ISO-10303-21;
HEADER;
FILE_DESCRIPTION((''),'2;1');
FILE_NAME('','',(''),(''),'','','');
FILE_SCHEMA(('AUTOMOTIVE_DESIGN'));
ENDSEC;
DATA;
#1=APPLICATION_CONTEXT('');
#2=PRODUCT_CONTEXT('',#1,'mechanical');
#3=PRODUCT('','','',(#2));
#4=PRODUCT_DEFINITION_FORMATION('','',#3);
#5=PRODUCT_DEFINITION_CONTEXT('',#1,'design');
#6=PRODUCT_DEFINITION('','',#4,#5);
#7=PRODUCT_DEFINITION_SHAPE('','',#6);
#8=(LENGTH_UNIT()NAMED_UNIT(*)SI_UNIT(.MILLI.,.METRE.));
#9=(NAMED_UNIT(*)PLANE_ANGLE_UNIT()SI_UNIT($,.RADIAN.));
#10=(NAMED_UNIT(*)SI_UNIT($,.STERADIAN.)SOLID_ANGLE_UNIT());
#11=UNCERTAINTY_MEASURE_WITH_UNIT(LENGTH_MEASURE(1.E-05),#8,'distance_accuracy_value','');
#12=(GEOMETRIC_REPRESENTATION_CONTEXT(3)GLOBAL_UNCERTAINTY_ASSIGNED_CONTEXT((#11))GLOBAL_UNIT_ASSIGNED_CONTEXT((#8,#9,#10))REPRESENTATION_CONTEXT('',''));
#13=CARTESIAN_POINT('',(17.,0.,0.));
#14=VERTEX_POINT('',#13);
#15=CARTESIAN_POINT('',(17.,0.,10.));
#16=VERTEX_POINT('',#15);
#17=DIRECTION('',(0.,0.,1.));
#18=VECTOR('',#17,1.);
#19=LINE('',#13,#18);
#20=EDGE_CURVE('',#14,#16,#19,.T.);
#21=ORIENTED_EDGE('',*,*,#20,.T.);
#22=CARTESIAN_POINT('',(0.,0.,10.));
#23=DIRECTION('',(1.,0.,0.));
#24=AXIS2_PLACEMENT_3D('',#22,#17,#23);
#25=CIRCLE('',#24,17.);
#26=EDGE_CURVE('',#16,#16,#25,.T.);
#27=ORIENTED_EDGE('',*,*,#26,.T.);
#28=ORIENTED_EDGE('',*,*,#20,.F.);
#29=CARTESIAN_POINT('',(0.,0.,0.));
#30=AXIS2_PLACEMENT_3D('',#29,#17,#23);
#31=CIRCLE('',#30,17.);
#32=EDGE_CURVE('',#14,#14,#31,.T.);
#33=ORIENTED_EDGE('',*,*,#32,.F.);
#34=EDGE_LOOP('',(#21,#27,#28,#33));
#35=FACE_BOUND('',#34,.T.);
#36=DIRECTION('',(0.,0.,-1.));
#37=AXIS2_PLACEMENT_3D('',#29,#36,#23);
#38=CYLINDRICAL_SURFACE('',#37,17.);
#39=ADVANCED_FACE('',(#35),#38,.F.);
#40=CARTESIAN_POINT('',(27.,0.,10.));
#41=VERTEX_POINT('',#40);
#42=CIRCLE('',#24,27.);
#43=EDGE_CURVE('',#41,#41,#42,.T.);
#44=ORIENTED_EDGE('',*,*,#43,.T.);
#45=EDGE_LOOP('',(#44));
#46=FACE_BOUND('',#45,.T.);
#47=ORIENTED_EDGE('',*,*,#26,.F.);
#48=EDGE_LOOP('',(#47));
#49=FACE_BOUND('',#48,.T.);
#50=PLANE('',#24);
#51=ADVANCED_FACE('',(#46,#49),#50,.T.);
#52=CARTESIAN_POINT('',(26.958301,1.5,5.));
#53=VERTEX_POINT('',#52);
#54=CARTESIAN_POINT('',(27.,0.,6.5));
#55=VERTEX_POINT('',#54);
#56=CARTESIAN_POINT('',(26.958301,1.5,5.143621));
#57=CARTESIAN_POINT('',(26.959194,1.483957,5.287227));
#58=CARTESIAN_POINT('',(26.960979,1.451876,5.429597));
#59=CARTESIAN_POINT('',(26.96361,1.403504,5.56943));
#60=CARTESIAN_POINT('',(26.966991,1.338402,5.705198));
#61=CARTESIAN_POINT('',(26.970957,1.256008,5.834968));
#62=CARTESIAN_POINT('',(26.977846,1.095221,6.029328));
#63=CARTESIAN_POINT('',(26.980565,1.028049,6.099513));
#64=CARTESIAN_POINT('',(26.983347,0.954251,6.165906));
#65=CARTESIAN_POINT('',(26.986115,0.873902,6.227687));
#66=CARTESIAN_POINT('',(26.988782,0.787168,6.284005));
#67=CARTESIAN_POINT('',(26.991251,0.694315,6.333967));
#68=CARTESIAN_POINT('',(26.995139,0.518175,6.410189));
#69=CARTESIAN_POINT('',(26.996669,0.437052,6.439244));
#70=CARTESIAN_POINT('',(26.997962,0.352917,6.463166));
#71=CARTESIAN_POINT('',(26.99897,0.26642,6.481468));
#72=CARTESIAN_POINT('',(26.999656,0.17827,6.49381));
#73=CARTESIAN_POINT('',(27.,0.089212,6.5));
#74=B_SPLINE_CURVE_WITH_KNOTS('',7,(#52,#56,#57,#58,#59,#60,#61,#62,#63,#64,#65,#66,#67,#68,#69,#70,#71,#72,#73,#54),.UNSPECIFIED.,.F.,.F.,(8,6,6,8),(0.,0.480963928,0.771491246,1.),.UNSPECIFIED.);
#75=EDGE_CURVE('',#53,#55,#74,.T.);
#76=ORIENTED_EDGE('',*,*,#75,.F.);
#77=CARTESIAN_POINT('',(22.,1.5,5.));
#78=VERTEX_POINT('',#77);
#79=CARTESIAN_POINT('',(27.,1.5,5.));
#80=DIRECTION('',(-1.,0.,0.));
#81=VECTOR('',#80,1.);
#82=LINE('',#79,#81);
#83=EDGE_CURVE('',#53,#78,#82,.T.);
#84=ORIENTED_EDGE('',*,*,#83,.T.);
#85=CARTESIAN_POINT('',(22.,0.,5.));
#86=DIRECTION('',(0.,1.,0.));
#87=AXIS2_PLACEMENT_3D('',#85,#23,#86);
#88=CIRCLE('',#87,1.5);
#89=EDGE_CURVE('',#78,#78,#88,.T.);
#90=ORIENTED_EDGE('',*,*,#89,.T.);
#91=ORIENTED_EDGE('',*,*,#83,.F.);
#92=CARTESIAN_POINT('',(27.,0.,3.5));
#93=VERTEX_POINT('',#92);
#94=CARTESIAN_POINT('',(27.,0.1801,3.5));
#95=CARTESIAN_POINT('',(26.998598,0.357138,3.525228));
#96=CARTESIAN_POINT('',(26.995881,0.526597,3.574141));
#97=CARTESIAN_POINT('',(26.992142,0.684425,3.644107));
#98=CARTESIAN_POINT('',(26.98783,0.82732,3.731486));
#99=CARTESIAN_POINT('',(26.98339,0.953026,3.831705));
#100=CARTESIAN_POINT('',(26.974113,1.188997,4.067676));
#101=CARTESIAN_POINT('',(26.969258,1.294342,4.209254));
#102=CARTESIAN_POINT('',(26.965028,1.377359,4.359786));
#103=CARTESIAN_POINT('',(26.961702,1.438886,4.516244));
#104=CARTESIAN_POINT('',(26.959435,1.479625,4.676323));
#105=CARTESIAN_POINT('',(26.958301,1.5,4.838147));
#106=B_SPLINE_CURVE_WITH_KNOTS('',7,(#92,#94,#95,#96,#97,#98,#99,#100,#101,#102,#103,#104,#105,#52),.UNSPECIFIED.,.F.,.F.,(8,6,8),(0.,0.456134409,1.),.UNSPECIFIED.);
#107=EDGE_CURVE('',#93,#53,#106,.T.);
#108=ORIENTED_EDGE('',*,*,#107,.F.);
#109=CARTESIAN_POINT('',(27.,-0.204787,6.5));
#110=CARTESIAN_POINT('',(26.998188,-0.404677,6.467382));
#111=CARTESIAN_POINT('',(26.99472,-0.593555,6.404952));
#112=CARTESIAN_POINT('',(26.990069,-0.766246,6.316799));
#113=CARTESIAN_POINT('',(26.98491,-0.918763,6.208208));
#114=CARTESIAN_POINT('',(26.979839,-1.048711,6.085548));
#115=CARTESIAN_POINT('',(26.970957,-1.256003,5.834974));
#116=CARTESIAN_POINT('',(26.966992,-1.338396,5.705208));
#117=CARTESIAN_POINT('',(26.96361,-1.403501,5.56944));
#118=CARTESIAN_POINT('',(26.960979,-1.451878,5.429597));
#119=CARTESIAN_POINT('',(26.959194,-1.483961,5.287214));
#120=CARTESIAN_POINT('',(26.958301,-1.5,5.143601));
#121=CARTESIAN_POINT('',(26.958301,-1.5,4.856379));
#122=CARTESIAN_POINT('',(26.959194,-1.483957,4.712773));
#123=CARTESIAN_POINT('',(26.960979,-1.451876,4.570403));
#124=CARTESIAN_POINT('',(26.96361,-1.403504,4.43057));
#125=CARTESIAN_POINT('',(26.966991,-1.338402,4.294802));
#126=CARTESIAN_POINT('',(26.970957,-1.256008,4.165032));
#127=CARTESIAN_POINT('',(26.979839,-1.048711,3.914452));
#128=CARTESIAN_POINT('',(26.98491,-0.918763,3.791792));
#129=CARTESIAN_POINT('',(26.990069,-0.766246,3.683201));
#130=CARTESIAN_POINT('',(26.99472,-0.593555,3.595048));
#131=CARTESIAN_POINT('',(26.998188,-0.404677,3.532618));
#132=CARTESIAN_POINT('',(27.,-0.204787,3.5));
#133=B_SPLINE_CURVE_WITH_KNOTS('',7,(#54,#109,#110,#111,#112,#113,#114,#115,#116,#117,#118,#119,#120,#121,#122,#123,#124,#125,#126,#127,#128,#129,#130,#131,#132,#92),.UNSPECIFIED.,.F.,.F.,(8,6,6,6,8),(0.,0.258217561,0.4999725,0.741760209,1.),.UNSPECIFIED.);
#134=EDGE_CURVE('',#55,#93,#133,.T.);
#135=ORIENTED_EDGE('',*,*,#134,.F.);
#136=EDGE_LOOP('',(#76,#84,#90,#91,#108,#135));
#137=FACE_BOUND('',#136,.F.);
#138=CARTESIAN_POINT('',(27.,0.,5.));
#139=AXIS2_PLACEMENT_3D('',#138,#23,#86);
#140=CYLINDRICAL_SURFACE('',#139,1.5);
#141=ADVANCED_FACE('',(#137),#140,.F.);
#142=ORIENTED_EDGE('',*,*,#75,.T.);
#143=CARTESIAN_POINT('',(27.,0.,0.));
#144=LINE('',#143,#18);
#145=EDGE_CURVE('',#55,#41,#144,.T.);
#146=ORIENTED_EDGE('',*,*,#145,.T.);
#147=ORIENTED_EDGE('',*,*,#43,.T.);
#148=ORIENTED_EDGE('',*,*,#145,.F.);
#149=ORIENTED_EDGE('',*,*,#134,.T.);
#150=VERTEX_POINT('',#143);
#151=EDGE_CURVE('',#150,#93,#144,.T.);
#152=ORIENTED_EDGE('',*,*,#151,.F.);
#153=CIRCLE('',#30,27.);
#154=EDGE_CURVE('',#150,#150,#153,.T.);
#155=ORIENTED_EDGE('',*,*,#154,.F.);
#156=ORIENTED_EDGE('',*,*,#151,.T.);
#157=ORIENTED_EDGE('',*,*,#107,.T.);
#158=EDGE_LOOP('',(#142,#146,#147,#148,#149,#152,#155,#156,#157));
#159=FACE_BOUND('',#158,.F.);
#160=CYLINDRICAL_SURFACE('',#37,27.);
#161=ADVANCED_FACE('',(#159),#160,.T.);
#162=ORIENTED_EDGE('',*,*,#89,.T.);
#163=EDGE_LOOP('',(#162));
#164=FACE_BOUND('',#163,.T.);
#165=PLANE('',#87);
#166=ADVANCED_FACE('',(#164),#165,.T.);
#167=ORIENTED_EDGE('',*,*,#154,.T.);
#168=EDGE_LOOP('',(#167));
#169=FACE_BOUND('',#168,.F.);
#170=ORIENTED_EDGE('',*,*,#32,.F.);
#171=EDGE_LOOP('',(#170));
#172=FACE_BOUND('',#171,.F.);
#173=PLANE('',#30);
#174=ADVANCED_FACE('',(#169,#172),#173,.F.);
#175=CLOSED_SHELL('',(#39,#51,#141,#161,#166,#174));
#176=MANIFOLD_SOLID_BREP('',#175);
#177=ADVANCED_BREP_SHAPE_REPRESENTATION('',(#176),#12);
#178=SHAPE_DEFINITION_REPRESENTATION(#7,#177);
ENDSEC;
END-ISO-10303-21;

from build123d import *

# Parameters (mm, degrees)
F0_R     = 27
F0_R_2   = 17
F1_DEPTH = 10
F3_R     = 1.5
F4_DEPTH = 5


with BuildPart() as f1:
    # F0 (on Top) → F1 (new body)
    with BuildSketch(Plane.XY):
        Circle(F0_R)
        Circle(F0_R_2, mode=Mode.SUBTRACT)
    extrude(amount=F1_DEPTH)

    # F3 (on offset) → F4 (cut)
    with BuildSketch(Plane.YZ.offset(27)):
        with Locations((0, 5)):
            Circle(F3_R)
    extrude(amount=-F4_DEPTH, mode=Mode.SUBTRACT)


solid = f1.part
